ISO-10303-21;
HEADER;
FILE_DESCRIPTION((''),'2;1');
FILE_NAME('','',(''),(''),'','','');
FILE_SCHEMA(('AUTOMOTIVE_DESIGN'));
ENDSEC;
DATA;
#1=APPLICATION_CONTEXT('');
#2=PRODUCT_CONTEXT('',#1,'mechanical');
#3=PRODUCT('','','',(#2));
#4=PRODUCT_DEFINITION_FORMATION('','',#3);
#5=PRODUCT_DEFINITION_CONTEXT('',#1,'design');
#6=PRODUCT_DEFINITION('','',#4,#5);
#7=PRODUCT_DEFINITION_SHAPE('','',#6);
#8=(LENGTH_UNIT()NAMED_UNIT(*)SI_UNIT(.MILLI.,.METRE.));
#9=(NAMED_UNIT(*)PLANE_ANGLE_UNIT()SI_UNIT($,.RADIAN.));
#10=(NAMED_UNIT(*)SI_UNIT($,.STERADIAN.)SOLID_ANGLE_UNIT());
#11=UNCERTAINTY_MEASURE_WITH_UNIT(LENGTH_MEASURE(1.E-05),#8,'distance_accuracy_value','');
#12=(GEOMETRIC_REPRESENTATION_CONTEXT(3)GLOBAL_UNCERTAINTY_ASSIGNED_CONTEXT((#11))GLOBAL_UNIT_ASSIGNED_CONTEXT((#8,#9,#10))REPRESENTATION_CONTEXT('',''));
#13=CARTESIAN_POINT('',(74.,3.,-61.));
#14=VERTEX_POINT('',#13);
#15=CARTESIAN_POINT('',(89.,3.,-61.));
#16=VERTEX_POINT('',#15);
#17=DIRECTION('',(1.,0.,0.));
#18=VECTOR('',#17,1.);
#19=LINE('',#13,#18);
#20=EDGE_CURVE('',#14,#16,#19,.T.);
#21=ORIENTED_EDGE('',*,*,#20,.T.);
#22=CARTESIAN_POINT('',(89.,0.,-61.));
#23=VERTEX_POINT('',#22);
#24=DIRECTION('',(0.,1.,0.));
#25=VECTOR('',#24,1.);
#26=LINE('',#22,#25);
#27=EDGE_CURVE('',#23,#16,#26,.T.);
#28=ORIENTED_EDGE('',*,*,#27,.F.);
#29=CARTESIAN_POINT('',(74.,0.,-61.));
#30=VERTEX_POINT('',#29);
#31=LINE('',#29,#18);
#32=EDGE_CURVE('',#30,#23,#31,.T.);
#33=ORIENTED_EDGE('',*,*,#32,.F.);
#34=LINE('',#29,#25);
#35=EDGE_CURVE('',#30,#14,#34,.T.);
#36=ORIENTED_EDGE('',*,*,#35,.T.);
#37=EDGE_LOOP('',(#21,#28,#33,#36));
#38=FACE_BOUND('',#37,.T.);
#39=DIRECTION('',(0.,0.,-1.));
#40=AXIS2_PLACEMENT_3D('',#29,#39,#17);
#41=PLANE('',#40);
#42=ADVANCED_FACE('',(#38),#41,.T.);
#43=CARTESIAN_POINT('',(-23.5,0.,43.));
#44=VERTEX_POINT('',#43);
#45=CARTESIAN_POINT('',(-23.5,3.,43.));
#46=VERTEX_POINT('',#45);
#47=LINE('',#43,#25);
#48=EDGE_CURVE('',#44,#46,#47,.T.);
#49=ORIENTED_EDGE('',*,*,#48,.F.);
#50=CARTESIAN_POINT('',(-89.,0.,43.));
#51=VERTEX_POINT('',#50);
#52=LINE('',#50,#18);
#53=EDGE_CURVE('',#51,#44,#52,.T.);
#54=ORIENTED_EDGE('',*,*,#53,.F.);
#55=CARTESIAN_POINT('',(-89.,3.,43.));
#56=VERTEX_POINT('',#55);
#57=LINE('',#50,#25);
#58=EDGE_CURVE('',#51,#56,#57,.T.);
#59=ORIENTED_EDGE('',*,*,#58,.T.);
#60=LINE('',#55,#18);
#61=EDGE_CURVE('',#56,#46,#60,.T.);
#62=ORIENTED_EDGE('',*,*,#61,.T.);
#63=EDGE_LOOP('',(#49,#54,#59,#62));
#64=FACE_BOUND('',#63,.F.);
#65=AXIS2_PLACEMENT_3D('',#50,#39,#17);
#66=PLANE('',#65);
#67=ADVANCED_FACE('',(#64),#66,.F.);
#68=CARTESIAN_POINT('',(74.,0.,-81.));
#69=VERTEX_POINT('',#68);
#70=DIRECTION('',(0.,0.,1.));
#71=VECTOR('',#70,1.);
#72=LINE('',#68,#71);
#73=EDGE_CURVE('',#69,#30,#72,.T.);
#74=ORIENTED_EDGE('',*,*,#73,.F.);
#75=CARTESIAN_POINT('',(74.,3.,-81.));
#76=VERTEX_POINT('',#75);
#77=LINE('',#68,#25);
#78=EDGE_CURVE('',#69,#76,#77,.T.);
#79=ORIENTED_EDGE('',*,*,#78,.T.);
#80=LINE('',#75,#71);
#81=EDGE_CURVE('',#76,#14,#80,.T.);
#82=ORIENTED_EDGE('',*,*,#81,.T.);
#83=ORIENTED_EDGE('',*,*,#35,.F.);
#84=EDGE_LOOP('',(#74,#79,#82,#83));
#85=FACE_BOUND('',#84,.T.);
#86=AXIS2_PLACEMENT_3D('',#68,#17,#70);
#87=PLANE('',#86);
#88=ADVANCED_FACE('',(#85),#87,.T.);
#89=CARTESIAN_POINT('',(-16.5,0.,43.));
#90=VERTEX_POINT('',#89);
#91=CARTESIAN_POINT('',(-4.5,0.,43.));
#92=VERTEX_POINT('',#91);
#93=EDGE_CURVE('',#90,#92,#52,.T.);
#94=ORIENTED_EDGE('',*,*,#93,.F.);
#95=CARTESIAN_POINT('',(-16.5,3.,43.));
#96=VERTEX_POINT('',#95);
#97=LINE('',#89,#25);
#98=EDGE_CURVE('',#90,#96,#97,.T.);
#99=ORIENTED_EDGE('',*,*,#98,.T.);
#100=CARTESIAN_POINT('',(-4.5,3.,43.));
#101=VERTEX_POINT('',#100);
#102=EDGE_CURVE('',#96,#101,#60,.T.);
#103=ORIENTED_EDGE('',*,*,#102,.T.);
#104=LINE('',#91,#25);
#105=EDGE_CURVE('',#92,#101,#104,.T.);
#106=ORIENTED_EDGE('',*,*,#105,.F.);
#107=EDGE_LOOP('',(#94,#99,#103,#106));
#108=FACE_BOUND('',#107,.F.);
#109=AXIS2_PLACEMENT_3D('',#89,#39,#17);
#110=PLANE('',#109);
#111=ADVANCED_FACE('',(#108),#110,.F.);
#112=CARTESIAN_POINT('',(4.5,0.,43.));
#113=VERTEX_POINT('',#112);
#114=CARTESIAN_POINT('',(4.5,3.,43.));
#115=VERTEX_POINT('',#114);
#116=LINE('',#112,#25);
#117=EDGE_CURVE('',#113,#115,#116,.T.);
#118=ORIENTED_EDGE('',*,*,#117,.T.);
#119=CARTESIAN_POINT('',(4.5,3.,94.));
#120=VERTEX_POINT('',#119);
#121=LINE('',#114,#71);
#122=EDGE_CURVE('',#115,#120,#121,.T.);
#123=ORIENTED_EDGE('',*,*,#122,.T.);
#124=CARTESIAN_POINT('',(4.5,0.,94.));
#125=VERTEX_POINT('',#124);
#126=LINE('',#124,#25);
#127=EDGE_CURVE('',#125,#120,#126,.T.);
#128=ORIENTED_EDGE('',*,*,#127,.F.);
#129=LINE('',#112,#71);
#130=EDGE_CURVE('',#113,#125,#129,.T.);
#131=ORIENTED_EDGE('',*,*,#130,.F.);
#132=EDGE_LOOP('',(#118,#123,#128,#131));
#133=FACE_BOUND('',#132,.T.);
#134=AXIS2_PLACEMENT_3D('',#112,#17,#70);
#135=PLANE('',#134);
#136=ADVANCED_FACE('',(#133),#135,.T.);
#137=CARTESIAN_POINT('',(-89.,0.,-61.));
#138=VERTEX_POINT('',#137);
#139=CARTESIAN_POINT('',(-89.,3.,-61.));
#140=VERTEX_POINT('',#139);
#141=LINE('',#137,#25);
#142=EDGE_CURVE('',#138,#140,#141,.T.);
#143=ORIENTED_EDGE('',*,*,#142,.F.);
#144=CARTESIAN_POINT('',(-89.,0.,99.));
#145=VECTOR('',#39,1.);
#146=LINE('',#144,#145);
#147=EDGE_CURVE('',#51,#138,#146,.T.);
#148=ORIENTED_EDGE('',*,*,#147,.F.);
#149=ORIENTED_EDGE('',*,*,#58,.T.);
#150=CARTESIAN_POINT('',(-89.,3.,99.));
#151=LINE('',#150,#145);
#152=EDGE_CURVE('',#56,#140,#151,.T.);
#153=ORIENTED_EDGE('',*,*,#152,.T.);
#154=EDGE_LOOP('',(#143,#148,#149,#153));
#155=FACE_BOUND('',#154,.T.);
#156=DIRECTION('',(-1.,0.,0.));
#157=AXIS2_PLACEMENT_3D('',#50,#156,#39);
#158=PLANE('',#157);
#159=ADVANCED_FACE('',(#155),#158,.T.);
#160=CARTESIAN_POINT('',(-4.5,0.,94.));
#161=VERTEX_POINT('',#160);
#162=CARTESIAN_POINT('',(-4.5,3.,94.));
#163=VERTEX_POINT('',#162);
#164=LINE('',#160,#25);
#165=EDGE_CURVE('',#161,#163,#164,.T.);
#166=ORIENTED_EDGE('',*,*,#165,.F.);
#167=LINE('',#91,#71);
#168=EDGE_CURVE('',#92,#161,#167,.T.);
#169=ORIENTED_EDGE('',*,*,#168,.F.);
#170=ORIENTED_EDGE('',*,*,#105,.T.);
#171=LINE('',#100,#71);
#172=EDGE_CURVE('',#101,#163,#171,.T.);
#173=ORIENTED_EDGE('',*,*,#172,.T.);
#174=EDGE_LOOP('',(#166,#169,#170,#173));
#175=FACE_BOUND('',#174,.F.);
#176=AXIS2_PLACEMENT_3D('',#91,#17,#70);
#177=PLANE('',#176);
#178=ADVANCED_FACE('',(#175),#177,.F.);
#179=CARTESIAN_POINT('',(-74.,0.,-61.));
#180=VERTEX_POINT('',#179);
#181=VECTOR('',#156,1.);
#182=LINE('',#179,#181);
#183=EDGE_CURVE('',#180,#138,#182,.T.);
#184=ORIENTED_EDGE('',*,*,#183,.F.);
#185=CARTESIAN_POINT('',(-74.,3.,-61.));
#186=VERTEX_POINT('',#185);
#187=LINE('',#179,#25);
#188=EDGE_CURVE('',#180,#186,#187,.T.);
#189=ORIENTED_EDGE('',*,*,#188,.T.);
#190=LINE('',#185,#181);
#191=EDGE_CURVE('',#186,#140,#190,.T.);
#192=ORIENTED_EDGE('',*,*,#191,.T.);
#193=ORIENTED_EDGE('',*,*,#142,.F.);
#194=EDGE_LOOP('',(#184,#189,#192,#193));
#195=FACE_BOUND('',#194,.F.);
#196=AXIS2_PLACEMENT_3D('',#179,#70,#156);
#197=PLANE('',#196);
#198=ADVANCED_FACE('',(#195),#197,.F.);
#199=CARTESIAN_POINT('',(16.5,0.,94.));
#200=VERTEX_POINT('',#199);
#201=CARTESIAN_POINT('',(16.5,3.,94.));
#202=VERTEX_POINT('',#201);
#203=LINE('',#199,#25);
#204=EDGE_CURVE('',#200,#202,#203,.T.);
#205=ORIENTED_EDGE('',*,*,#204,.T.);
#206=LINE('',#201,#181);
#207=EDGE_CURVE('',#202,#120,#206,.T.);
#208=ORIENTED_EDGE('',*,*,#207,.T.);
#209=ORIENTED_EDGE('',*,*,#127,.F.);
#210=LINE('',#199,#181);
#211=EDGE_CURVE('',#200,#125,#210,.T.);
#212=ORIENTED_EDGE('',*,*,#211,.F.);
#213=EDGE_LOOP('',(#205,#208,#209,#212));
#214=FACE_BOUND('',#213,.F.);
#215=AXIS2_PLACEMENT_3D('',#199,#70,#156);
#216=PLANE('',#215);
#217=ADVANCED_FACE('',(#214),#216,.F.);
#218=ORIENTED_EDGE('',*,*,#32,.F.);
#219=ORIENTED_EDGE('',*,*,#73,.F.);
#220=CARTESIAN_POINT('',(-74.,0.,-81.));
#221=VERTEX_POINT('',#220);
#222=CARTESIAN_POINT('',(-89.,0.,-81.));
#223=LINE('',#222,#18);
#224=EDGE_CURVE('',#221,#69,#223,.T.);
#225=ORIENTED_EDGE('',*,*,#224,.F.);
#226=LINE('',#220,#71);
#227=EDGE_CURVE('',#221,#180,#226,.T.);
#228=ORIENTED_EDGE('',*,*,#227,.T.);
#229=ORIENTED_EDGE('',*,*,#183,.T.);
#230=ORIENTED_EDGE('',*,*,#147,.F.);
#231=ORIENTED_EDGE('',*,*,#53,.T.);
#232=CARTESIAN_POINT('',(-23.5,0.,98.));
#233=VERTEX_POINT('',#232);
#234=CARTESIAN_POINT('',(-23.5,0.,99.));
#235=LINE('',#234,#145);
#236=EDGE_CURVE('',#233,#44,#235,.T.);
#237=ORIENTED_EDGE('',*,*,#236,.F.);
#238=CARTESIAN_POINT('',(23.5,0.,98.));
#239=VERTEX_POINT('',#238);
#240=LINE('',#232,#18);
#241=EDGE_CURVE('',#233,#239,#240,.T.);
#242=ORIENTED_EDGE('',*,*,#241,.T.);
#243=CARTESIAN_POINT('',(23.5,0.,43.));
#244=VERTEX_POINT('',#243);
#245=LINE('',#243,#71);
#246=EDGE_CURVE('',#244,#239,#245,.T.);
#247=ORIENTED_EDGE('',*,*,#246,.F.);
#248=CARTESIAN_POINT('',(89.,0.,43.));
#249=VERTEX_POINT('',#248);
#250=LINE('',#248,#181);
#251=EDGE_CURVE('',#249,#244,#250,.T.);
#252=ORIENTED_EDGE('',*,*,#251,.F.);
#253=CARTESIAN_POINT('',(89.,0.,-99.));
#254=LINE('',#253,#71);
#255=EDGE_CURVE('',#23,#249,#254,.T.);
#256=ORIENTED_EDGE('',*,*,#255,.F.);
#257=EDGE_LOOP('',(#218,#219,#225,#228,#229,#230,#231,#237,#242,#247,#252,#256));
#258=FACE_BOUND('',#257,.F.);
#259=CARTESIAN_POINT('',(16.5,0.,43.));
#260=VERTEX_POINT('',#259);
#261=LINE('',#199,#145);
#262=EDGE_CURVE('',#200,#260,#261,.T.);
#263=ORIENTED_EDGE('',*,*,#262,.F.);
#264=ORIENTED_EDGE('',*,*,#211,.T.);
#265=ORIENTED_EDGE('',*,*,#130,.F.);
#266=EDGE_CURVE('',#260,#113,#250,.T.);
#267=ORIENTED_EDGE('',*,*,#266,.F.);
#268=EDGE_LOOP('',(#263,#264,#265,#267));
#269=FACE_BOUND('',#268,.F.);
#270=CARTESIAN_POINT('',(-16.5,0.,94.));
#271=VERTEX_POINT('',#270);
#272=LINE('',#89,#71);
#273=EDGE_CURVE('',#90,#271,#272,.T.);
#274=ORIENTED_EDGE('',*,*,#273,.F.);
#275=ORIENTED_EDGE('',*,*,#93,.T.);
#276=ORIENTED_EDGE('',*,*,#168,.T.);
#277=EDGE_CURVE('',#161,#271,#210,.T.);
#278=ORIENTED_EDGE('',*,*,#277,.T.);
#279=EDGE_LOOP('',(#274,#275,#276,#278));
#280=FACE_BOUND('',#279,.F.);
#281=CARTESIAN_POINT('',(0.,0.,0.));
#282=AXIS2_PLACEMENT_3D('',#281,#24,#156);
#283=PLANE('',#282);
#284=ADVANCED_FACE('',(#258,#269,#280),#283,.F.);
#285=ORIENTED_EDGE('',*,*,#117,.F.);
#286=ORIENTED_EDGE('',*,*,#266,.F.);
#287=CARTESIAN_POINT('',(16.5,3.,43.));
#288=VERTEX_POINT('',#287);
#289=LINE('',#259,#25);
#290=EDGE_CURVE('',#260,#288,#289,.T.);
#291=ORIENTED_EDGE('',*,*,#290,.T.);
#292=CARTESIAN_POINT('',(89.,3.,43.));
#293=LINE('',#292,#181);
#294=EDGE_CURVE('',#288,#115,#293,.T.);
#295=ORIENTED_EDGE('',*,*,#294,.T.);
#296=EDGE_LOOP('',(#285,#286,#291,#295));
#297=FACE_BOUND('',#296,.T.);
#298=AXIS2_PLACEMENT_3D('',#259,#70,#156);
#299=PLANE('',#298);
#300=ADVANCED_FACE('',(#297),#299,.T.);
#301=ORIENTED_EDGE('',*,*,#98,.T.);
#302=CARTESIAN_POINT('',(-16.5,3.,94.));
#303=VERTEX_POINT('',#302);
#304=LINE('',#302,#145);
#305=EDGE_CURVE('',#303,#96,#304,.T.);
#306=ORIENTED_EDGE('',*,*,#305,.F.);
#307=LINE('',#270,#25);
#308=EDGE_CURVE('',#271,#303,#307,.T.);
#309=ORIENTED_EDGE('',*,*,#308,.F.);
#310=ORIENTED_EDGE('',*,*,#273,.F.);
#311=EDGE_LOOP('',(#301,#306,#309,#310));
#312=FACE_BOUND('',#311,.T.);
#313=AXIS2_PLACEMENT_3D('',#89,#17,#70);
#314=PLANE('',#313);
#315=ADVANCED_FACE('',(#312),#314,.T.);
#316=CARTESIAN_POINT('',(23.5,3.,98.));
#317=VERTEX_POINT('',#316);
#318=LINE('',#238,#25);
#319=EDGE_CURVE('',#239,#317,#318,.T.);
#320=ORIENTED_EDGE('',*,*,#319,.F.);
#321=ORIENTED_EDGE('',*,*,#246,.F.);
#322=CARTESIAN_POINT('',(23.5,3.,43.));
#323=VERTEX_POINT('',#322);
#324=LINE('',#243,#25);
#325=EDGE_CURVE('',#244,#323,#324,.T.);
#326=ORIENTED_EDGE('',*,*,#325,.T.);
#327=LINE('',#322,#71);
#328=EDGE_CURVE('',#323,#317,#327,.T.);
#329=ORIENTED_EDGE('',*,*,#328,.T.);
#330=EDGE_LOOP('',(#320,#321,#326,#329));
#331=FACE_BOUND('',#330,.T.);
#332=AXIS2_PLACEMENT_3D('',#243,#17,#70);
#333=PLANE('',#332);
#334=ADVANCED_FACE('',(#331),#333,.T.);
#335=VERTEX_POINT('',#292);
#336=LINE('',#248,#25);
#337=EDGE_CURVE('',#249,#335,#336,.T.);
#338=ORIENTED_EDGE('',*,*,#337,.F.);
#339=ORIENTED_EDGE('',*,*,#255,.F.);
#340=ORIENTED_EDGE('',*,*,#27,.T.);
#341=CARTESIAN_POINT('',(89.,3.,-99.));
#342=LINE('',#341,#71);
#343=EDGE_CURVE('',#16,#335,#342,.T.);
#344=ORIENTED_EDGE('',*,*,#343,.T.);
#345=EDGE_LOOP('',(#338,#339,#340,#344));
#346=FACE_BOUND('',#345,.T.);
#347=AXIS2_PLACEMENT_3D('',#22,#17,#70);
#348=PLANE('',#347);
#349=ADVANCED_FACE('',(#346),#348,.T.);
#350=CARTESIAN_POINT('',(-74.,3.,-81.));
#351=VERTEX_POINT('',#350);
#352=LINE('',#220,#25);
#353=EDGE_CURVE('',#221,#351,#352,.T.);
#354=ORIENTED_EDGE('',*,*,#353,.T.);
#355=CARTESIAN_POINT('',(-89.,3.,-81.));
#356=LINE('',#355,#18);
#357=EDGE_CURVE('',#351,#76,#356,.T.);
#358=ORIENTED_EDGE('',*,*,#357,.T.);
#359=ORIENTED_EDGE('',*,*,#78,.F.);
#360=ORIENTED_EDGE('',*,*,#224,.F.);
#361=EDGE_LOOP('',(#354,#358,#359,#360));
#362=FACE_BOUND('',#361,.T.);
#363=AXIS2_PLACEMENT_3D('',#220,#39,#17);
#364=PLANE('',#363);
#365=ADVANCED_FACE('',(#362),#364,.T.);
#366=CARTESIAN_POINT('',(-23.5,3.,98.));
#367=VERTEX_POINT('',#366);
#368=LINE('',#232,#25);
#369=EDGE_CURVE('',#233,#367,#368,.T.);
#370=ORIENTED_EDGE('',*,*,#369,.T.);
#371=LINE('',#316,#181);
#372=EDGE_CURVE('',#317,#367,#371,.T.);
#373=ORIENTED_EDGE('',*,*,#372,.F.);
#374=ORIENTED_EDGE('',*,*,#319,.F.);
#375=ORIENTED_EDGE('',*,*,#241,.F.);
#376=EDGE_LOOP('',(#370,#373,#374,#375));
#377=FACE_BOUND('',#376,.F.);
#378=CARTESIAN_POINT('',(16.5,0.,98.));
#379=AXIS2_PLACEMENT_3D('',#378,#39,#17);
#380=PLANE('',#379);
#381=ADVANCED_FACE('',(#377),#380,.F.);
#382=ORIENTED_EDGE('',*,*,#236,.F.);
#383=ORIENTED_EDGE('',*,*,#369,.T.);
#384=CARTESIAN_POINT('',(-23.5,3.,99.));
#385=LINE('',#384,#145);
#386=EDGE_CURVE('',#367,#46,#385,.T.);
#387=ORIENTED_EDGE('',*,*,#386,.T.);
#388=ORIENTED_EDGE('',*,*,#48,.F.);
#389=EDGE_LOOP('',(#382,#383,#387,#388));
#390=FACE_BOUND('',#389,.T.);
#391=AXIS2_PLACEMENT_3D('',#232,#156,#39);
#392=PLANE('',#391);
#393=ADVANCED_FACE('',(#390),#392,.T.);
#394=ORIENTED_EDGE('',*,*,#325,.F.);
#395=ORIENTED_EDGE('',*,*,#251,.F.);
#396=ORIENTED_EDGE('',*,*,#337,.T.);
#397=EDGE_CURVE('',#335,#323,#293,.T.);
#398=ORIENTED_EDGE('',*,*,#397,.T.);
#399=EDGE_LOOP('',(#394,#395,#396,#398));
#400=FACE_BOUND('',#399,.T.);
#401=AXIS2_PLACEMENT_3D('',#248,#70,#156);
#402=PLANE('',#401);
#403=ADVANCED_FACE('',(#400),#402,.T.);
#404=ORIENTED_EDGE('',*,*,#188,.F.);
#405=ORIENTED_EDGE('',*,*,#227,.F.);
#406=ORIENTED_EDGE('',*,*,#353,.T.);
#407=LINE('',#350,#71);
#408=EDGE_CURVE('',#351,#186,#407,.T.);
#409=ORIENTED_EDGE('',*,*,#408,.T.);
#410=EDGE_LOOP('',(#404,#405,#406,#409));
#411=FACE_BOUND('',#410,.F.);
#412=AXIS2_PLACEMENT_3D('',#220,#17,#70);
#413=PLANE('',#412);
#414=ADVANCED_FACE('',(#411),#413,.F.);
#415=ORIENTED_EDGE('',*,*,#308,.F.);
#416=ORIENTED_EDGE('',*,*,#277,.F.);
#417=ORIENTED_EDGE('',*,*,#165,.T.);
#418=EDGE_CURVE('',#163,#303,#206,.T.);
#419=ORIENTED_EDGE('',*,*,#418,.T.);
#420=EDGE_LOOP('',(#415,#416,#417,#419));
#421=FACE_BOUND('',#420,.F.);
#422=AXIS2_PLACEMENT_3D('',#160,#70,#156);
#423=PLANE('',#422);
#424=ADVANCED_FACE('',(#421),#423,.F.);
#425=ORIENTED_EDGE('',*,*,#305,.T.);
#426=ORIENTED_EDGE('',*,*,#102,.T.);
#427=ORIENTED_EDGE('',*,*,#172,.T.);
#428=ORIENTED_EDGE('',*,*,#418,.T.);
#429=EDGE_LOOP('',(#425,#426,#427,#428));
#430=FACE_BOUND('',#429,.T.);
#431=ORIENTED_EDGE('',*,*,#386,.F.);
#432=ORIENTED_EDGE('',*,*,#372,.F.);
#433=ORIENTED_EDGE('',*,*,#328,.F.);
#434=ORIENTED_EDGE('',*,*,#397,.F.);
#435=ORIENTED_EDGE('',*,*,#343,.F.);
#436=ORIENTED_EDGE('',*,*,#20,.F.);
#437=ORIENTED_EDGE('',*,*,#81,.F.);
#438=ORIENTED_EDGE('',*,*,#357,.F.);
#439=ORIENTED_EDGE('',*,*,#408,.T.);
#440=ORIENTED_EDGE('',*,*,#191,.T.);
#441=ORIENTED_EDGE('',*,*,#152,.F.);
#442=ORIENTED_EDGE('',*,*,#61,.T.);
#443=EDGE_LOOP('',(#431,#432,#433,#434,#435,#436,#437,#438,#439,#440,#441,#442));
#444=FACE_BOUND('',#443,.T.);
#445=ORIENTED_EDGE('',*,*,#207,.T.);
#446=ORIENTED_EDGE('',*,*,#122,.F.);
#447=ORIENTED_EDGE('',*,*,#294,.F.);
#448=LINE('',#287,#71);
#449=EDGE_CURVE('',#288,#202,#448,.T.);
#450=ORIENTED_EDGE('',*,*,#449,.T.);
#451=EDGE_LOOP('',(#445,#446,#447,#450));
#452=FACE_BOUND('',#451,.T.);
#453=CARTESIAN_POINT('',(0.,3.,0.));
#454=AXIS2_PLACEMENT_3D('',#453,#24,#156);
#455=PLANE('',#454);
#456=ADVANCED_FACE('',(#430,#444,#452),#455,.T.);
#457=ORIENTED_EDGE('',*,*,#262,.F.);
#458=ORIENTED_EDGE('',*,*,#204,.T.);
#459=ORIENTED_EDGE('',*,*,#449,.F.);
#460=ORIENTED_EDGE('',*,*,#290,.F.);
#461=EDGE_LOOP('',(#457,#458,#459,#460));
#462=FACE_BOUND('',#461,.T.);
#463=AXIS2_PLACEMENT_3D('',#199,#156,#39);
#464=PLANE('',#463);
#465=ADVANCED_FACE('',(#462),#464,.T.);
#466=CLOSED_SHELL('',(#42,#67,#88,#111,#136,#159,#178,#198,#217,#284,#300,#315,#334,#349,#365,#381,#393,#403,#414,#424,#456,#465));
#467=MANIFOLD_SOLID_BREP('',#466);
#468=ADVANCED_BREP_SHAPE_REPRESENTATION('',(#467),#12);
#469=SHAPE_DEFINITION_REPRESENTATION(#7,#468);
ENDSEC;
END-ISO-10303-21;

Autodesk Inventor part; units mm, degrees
ref_plane "YZ Plane" through (0, 0, 0) normal (1, 0, 0) x (0, 1, 0)
ref_plane "XZ Plane" through (0, 0, 0) normal (0, 1, 0) x (-1, 0, 0)
ref_plane "XY Plane" through (0, 0, 0) normal (0, 0, 1) x (1, 0, 0)
sketch "Sketch2" plane through (0, 0, 0) normal (0, 1, 0) x (-1, 0, 0)
  line L0 (-89, 99) -> (89, 99)
  line L1 (89, 99) -> (89, -99)
  line L2 (89, -99) -> (-89, -99)
  line L3 (-89, -99) -> (-89, 99)
  line L4 (-89, 99) -> (89, -99) construction
  line L5 (89, 99) -> (-89, -99) construction
  line L6 (-89, 99) -> (89, 99)
  line L7 (89, 99) -> (89, -81)
  line L8 (89, -81) -> (-89, -81)
  line L9 (-89, -81) -> (-89, 99)
  line L10 (-4.5, 99) -> (-89, 99)
  line L11 (-89, 99) -> (-89, 43)
  line L12 (-89, 43) -> (-4.5, 43)
  line L13 (-4.5, 43) -> (-4.5, 99)
  line L14 (4.5, 99) -> (89, 99)
  line L15 (89, 99) -> (89, 43)
  line L16 (89, 43) -> (4.5, 43)
  line L17 (4.5, 43) -> (4.5, 99)
  line L18 (22.5, 77.5) -> (22.5, 66.5) projected
  line L19 (16.5, 66.5) -> (16.5, 77.5) projected
  line L20 (-22.5, 66.5) -> (-22.5, 77.5) projected
  line L21 (-16.5, 77.5) -> (-16.5, 66.5) projected
  line L22 (-23.5, 99) -> (-16.5, 99)
  line L23 (-16.5, 99) -> (-16.5, 43)
  line L24 (-16.5, 43) -> (-23.5, 43)
  line L25 (-23.5, 43) -> (-23.5, 99)
  line L26 (16.5, 99) -> (23.5, 99)
  line L27 (23.5, 99) -> (23.5, 43)
  line L28 (23.5, 43) -> (16.5, 43)
  line L29 (16.5, 43) -> (16.5, 99)
  line L30 (-89, 99) -> (89, 99)
  line L31 (89, 99) -> (89, 98)
  line L32 (89, 98) -> (-89, 98)
  line L33 (-89, 98) -> (-89, 99)
  line L34 (89, -81) -> (74, -81)
  line L35 (74, -81) -> (74, -61)
  line L36 (74, -61) -> (89, -61)
  line L37 (89, -61) -> (89, -81)
  line L38 (-89, -81) -> (-74, -81)
  line L39 (-74, -81) -> (-74, -61)
  line L40 (-74, -61) -> (-89, -61)
  line L41 (-89, -61) -> (-89, -81)
  line L42 (16.5, 98) -> (-16.5, 98)
  line L43 (-16.5, 98) -> (-16.5, 94)
  line L44 (-16.5, 94) -> (16.5, 94)
  line L45 (16.5, 94) -> (16.5, 98)
  line L46 (-84.4, -75) -> (-84.4, -71.5) projected
  line L47 (-84.4, -71.5) -> (-87, -71.5) projected
  line L48 (-87, -71.5) -> (-87, -75) projected
  line L49 (-87, -75) -> (-84.4, -75) projected
  line L50 (-79.6, -75) -> (-77, -75) projected
  line L51 (-77, -75) -> (-77, -71.5) projected
  line L52 (-77, -71.5) -> (-79.6, -71.5) projected
  line L53 (-79.6, -71.5) -> (-79.6, -75) projected
  line L54 (-75, -78) -> (-89, -78) projected
  line L55 (-89, -78) -> (-89, -63) projected
  line L56 (-89, -63) -> (-75, -63) projected
  line L57 (-75, -63) -> (-75, -78) projected
  circle A0 centre (-80.45, -67.25) radius 1.25 projected
  point P0 (0, 0)
  point P1 (4.5, 99)
  point P2 (-4.5, 99)
  point P3 (-89, 43)
  point P4 (89, 43)
  point P5 (4.5, 98)
  point P6 (-4.5, 98)
  point P7 (-16.5, 98)
  point P8 (-23.5, 98)
  point P9 (23.5, 98)
  point P10 (16.5, 98)
  point P11 (-4.5, 94)
  point P12 (4.5, 94)
  point P13 (16.5, 94)
  dimension "d8" = 178
  dimension "d9" = 198
  dimension "d10" = 18
  dimension "d11" = 84.5
  dimension "d13" = 84.5
  dimension "d17" = 9
  dimension "d18" = 1
  dimension "d19" = 15
  dimension "d20" = 20
  dimension "d21" = 15
  dimension "d22" = 20
  dimension "d75" = 55
  dimension "d76" = 55
  dimension "d77" = 7
  dimension "d78" = 7
  dimension "d79" = 4
extrude "Extrusion2" add sketch "Sketch2" along normal blind 3 contours L32 L23 L21 L12 L25 | L12 L13 L44 L17 L16 L1 L36 L35 L8 L39 L40 L3 | L32 L13 L44 L23 | L32 L17 L44 L13 | L32 L29 L44 L17 | L32 L27 L16 L29 L19
equation "\"d11\" = d13"
properties part number "base" material "Aluminum 6061"
